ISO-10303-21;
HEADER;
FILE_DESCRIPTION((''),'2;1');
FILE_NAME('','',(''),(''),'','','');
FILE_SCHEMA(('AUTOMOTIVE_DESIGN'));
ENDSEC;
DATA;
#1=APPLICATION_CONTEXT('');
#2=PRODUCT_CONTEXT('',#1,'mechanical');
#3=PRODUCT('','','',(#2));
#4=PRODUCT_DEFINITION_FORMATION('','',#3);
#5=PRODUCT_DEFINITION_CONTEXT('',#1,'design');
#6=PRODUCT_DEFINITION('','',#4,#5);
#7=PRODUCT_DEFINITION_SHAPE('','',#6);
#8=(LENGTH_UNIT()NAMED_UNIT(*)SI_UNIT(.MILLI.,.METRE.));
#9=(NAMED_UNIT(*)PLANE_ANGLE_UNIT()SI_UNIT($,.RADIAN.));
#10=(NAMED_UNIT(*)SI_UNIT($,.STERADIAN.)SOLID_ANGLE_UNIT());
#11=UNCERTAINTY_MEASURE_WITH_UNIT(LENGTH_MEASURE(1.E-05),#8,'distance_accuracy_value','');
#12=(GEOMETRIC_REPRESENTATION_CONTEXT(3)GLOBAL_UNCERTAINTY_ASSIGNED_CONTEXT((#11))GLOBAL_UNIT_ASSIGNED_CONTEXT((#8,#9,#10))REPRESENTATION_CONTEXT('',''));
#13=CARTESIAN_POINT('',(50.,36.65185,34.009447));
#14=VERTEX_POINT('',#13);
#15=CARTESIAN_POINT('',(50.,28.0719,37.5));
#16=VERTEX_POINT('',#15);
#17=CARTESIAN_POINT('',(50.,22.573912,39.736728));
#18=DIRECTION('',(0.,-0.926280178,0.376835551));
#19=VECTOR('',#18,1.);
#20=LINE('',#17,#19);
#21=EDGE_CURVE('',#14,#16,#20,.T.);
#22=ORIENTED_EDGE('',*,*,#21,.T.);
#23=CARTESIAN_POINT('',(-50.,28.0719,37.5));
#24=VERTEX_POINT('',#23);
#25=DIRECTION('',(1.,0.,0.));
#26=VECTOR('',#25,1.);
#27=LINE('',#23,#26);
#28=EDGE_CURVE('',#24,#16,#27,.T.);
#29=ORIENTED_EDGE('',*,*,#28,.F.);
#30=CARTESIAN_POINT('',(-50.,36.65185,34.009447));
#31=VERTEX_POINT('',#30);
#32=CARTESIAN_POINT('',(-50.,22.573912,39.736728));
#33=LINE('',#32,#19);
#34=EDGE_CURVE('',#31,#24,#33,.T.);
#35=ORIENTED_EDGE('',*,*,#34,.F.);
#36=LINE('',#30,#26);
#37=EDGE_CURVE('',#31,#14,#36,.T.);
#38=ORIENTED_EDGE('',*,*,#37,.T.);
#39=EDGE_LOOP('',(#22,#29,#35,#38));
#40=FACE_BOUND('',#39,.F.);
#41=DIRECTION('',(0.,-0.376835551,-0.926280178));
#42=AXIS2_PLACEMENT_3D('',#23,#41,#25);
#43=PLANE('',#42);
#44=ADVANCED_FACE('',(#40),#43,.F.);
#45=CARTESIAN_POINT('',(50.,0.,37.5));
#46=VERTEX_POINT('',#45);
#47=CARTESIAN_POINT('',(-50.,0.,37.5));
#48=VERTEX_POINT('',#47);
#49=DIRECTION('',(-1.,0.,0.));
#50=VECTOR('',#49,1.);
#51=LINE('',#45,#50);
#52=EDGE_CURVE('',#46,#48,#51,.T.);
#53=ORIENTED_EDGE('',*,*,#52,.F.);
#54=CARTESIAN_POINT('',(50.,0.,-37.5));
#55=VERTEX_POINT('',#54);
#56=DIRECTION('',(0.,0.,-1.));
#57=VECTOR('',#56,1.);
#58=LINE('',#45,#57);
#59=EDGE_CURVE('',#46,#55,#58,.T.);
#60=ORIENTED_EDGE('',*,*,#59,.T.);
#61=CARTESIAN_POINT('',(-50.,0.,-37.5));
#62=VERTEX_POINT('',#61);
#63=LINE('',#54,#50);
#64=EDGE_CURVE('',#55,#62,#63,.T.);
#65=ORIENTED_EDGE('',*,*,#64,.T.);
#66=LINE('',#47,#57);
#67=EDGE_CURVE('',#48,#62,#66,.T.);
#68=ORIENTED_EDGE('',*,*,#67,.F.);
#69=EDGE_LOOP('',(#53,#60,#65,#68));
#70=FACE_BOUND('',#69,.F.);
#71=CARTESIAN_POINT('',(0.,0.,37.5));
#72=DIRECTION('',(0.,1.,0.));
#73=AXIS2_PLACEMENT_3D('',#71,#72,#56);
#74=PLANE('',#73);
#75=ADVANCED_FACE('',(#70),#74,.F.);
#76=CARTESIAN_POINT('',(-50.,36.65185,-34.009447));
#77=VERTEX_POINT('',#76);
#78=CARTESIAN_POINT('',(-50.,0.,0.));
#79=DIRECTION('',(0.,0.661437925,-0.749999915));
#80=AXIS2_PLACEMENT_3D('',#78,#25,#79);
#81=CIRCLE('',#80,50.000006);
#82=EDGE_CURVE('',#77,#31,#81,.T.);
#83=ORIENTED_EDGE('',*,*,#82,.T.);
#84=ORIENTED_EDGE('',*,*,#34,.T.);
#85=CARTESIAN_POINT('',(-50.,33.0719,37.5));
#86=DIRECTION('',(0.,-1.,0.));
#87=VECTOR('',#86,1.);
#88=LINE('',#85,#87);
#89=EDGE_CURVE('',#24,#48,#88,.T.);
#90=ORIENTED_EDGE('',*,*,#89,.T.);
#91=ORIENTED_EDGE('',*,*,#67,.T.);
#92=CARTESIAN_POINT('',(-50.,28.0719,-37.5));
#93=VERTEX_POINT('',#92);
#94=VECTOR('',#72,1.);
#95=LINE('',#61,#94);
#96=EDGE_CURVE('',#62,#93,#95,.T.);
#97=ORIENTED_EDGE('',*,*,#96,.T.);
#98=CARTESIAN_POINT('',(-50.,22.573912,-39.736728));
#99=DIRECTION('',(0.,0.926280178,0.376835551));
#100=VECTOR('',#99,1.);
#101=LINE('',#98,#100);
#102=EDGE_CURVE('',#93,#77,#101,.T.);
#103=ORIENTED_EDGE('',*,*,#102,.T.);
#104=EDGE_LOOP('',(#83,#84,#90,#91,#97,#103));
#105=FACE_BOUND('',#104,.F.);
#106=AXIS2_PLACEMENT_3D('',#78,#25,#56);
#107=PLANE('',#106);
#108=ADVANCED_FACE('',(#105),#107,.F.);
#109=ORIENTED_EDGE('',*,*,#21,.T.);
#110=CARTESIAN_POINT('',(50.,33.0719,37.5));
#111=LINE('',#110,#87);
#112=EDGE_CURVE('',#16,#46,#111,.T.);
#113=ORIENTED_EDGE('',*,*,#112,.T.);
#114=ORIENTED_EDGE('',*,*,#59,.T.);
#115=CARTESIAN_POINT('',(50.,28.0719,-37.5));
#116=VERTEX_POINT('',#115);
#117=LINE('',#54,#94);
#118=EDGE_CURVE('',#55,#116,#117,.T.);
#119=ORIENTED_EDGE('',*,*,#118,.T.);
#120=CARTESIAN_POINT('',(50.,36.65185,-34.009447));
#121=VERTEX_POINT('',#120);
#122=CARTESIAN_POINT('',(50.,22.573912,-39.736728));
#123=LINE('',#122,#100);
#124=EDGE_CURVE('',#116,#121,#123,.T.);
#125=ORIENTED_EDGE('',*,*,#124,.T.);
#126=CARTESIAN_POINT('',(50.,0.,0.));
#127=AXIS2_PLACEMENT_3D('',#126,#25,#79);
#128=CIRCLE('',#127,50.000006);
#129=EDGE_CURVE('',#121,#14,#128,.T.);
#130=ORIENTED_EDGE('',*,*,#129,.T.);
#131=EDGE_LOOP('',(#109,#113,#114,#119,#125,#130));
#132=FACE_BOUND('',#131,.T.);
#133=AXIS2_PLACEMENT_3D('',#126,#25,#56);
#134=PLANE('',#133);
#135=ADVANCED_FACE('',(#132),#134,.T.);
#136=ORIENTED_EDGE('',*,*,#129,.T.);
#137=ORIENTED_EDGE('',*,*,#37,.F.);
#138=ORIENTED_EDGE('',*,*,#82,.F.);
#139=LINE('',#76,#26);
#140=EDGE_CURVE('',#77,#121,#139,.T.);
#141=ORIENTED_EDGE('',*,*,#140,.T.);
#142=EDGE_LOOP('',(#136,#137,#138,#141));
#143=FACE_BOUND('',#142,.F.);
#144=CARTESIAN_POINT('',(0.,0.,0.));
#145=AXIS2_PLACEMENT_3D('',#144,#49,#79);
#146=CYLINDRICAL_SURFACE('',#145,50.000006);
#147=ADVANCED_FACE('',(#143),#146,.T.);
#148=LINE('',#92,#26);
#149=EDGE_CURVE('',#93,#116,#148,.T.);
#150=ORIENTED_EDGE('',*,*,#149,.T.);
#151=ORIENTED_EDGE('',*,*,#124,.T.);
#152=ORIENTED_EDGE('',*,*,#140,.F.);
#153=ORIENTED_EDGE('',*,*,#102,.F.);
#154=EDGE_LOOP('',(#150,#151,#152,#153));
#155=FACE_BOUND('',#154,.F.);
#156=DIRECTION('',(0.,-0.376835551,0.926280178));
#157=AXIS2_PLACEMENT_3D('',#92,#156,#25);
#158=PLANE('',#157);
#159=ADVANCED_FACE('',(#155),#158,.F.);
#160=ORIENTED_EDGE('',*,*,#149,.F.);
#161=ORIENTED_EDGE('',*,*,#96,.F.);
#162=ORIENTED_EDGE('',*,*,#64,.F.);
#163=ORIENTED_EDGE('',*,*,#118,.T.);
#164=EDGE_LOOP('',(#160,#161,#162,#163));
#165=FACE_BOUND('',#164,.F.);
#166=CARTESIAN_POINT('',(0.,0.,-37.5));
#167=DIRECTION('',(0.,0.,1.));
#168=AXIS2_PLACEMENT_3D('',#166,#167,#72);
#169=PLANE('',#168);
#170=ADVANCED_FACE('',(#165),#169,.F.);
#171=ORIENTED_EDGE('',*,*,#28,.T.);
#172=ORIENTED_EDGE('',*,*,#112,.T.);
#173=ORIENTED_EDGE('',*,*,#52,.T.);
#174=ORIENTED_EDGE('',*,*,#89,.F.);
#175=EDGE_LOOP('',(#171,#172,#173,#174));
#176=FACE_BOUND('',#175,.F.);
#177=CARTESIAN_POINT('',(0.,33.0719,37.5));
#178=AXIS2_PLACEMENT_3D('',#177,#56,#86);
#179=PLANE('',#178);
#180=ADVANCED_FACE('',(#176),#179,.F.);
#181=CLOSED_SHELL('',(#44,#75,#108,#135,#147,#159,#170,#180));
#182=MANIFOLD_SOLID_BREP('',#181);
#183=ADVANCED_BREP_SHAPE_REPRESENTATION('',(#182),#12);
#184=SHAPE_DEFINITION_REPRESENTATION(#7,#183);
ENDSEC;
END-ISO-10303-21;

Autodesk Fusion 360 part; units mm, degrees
sketch "Sketch1" plane through (0, 0, 0) normal (1, 0, 0) x (0, 0, -1)
  arc A0 (37.5, 33.0719) -> (-37.5, 33.0719) centre (0, 0) ccw
  line L0 (-37.5, 33.0719) -> (-37.5, 0)
  line L1 (-37.5, 0) -> (37.5, 0)
  line L2 (37.5, 0) -> (37.5, 33.0719)
  dimension "d1" = 50
  dimension "d2" = 75
extrude "Extrude1" add sketch "Sketch1" along normal mid plane 100
chamfer "Chamfer1" distance 5 angle 45 2 edges at (0, 33.0719, 37.5) (0, 33.0719, -37.5)
